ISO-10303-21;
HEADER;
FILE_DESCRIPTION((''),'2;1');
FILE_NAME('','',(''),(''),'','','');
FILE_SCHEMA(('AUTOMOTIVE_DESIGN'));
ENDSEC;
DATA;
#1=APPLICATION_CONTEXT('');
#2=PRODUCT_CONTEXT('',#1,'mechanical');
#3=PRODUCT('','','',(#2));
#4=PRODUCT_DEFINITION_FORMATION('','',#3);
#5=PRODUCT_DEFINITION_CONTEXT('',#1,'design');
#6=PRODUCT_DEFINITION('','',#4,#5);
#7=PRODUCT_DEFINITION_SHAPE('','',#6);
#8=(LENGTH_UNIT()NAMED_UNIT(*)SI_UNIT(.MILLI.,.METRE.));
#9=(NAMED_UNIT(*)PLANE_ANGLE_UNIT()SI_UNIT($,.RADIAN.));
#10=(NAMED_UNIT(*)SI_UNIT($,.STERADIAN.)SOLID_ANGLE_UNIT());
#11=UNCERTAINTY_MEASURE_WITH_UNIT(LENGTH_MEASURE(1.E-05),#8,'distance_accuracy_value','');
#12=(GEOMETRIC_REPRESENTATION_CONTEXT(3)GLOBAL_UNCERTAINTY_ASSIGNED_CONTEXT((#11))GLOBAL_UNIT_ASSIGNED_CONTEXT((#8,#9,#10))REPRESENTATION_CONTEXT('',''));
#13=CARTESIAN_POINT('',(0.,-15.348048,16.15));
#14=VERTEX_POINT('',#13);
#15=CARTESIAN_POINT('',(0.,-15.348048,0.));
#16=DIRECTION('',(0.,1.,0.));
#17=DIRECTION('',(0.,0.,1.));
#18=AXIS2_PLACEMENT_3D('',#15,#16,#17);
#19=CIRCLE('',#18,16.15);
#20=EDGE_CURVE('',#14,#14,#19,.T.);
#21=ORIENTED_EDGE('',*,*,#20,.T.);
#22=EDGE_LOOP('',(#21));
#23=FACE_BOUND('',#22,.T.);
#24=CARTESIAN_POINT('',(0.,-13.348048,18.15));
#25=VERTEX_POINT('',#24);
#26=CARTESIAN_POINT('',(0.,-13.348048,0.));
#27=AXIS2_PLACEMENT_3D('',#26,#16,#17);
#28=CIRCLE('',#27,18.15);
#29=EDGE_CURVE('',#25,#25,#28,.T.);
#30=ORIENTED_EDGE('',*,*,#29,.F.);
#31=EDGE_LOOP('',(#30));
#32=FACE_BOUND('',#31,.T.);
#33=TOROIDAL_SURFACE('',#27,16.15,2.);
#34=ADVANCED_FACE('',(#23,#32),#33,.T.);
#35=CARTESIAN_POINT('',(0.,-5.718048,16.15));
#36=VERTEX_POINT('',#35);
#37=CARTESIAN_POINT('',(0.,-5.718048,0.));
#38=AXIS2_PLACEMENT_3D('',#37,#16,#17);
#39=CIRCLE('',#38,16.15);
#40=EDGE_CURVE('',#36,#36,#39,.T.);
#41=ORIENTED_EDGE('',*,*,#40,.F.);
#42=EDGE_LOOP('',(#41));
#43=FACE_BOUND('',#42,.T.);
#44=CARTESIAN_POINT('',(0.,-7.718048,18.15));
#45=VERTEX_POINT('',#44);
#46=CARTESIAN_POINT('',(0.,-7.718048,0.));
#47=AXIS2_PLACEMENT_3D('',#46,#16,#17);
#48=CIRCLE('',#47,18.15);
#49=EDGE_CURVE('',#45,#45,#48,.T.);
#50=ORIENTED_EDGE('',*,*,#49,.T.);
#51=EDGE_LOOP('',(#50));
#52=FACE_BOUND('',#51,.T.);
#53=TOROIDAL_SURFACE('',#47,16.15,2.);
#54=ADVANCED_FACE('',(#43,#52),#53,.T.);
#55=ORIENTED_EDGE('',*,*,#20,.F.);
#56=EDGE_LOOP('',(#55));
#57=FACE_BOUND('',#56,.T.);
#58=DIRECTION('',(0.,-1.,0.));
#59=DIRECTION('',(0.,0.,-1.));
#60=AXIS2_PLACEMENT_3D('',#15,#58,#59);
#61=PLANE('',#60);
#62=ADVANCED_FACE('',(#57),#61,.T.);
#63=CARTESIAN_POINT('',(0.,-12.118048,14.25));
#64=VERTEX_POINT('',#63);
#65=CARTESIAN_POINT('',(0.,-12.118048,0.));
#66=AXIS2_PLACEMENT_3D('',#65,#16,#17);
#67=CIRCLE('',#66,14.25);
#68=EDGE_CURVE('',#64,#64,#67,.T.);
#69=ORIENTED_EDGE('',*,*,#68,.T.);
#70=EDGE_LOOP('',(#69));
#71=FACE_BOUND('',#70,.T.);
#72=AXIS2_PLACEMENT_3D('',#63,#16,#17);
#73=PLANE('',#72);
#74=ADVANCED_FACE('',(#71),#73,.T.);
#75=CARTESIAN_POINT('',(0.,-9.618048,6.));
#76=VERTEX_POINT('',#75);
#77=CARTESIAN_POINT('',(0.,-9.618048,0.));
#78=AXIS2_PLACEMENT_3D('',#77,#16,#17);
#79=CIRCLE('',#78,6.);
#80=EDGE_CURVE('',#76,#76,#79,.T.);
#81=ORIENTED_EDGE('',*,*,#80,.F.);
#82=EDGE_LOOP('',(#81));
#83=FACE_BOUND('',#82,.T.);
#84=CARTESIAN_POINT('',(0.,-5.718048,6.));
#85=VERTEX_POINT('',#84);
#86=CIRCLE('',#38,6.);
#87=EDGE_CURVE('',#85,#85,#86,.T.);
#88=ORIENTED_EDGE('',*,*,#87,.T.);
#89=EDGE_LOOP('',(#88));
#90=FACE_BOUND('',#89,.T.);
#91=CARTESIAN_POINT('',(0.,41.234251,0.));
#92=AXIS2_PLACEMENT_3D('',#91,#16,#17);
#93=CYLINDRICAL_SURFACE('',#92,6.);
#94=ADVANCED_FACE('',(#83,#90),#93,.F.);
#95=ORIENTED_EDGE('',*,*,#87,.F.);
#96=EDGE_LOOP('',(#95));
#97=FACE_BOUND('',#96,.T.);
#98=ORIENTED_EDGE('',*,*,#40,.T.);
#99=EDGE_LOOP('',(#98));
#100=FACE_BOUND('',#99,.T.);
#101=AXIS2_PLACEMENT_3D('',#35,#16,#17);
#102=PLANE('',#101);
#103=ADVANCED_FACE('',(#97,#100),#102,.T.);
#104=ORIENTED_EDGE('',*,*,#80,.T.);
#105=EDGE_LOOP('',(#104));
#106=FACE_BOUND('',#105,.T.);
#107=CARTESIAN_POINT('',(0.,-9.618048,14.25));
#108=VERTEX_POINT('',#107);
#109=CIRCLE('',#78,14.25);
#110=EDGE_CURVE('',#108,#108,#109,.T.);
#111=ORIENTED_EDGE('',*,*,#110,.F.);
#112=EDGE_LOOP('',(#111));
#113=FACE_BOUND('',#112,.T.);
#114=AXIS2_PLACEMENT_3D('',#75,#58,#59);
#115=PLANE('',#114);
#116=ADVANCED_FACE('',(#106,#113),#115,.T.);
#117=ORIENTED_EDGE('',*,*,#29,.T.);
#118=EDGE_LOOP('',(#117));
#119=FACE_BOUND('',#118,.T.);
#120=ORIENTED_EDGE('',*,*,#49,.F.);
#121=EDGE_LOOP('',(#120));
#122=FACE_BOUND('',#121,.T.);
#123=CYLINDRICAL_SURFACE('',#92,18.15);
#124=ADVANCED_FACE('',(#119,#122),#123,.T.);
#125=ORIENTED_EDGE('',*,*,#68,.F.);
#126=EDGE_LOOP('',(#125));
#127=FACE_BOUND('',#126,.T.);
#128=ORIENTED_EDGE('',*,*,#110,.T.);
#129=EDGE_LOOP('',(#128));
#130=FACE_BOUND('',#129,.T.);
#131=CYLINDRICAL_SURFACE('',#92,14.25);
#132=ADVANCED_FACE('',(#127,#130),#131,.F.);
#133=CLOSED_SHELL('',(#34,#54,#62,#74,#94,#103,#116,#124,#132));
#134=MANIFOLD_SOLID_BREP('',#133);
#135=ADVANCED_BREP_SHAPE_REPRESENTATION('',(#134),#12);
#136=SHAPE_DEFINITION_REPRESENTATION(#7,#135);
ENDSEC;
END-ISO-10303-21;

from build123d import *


with BuildPart() as part:
    # Sketch1 → Revolve1 (revolve)
    with BuildSketch(Plane(origin=(0, 0, 0), x_dir=(0, 0, -1), z_dir=(1, 0, 0))):
        with BuildLine():
            Line((0, -12.118048154), (0, -15.348048154))
            Line((0, -15.348048154), (-16.15, -15.348048154))
            ThreePointArc((-16.15, -15.348048154), (-17.564213562, -14.762261716), (-18.15, -13.348048154))
            Line((-18.15, -13.348048154), (-18.15, -7.718048154))
            ThreePointArc((-18.15, -7.718048154), (-17.564213562, -6.303834591), (-16.15, -5.718048154))
            Line((-16.15, -5.718048154), (-6, -5.718048154))
            Line((-6, -5.718048154), (-6, -9.618048154))
            Line((-6, -9.618048154), (-14.25, -9.618048154))
            Line((-14.25, -9.618048154), (-14.25, -12.118048154))
            Line((-14.25, -12.118048154), (0, -12.118048154))
        make_face()
    revolve(axis=Axis((0, 41.234250563, 0), (0, -1, 0)))


solid = part.part
